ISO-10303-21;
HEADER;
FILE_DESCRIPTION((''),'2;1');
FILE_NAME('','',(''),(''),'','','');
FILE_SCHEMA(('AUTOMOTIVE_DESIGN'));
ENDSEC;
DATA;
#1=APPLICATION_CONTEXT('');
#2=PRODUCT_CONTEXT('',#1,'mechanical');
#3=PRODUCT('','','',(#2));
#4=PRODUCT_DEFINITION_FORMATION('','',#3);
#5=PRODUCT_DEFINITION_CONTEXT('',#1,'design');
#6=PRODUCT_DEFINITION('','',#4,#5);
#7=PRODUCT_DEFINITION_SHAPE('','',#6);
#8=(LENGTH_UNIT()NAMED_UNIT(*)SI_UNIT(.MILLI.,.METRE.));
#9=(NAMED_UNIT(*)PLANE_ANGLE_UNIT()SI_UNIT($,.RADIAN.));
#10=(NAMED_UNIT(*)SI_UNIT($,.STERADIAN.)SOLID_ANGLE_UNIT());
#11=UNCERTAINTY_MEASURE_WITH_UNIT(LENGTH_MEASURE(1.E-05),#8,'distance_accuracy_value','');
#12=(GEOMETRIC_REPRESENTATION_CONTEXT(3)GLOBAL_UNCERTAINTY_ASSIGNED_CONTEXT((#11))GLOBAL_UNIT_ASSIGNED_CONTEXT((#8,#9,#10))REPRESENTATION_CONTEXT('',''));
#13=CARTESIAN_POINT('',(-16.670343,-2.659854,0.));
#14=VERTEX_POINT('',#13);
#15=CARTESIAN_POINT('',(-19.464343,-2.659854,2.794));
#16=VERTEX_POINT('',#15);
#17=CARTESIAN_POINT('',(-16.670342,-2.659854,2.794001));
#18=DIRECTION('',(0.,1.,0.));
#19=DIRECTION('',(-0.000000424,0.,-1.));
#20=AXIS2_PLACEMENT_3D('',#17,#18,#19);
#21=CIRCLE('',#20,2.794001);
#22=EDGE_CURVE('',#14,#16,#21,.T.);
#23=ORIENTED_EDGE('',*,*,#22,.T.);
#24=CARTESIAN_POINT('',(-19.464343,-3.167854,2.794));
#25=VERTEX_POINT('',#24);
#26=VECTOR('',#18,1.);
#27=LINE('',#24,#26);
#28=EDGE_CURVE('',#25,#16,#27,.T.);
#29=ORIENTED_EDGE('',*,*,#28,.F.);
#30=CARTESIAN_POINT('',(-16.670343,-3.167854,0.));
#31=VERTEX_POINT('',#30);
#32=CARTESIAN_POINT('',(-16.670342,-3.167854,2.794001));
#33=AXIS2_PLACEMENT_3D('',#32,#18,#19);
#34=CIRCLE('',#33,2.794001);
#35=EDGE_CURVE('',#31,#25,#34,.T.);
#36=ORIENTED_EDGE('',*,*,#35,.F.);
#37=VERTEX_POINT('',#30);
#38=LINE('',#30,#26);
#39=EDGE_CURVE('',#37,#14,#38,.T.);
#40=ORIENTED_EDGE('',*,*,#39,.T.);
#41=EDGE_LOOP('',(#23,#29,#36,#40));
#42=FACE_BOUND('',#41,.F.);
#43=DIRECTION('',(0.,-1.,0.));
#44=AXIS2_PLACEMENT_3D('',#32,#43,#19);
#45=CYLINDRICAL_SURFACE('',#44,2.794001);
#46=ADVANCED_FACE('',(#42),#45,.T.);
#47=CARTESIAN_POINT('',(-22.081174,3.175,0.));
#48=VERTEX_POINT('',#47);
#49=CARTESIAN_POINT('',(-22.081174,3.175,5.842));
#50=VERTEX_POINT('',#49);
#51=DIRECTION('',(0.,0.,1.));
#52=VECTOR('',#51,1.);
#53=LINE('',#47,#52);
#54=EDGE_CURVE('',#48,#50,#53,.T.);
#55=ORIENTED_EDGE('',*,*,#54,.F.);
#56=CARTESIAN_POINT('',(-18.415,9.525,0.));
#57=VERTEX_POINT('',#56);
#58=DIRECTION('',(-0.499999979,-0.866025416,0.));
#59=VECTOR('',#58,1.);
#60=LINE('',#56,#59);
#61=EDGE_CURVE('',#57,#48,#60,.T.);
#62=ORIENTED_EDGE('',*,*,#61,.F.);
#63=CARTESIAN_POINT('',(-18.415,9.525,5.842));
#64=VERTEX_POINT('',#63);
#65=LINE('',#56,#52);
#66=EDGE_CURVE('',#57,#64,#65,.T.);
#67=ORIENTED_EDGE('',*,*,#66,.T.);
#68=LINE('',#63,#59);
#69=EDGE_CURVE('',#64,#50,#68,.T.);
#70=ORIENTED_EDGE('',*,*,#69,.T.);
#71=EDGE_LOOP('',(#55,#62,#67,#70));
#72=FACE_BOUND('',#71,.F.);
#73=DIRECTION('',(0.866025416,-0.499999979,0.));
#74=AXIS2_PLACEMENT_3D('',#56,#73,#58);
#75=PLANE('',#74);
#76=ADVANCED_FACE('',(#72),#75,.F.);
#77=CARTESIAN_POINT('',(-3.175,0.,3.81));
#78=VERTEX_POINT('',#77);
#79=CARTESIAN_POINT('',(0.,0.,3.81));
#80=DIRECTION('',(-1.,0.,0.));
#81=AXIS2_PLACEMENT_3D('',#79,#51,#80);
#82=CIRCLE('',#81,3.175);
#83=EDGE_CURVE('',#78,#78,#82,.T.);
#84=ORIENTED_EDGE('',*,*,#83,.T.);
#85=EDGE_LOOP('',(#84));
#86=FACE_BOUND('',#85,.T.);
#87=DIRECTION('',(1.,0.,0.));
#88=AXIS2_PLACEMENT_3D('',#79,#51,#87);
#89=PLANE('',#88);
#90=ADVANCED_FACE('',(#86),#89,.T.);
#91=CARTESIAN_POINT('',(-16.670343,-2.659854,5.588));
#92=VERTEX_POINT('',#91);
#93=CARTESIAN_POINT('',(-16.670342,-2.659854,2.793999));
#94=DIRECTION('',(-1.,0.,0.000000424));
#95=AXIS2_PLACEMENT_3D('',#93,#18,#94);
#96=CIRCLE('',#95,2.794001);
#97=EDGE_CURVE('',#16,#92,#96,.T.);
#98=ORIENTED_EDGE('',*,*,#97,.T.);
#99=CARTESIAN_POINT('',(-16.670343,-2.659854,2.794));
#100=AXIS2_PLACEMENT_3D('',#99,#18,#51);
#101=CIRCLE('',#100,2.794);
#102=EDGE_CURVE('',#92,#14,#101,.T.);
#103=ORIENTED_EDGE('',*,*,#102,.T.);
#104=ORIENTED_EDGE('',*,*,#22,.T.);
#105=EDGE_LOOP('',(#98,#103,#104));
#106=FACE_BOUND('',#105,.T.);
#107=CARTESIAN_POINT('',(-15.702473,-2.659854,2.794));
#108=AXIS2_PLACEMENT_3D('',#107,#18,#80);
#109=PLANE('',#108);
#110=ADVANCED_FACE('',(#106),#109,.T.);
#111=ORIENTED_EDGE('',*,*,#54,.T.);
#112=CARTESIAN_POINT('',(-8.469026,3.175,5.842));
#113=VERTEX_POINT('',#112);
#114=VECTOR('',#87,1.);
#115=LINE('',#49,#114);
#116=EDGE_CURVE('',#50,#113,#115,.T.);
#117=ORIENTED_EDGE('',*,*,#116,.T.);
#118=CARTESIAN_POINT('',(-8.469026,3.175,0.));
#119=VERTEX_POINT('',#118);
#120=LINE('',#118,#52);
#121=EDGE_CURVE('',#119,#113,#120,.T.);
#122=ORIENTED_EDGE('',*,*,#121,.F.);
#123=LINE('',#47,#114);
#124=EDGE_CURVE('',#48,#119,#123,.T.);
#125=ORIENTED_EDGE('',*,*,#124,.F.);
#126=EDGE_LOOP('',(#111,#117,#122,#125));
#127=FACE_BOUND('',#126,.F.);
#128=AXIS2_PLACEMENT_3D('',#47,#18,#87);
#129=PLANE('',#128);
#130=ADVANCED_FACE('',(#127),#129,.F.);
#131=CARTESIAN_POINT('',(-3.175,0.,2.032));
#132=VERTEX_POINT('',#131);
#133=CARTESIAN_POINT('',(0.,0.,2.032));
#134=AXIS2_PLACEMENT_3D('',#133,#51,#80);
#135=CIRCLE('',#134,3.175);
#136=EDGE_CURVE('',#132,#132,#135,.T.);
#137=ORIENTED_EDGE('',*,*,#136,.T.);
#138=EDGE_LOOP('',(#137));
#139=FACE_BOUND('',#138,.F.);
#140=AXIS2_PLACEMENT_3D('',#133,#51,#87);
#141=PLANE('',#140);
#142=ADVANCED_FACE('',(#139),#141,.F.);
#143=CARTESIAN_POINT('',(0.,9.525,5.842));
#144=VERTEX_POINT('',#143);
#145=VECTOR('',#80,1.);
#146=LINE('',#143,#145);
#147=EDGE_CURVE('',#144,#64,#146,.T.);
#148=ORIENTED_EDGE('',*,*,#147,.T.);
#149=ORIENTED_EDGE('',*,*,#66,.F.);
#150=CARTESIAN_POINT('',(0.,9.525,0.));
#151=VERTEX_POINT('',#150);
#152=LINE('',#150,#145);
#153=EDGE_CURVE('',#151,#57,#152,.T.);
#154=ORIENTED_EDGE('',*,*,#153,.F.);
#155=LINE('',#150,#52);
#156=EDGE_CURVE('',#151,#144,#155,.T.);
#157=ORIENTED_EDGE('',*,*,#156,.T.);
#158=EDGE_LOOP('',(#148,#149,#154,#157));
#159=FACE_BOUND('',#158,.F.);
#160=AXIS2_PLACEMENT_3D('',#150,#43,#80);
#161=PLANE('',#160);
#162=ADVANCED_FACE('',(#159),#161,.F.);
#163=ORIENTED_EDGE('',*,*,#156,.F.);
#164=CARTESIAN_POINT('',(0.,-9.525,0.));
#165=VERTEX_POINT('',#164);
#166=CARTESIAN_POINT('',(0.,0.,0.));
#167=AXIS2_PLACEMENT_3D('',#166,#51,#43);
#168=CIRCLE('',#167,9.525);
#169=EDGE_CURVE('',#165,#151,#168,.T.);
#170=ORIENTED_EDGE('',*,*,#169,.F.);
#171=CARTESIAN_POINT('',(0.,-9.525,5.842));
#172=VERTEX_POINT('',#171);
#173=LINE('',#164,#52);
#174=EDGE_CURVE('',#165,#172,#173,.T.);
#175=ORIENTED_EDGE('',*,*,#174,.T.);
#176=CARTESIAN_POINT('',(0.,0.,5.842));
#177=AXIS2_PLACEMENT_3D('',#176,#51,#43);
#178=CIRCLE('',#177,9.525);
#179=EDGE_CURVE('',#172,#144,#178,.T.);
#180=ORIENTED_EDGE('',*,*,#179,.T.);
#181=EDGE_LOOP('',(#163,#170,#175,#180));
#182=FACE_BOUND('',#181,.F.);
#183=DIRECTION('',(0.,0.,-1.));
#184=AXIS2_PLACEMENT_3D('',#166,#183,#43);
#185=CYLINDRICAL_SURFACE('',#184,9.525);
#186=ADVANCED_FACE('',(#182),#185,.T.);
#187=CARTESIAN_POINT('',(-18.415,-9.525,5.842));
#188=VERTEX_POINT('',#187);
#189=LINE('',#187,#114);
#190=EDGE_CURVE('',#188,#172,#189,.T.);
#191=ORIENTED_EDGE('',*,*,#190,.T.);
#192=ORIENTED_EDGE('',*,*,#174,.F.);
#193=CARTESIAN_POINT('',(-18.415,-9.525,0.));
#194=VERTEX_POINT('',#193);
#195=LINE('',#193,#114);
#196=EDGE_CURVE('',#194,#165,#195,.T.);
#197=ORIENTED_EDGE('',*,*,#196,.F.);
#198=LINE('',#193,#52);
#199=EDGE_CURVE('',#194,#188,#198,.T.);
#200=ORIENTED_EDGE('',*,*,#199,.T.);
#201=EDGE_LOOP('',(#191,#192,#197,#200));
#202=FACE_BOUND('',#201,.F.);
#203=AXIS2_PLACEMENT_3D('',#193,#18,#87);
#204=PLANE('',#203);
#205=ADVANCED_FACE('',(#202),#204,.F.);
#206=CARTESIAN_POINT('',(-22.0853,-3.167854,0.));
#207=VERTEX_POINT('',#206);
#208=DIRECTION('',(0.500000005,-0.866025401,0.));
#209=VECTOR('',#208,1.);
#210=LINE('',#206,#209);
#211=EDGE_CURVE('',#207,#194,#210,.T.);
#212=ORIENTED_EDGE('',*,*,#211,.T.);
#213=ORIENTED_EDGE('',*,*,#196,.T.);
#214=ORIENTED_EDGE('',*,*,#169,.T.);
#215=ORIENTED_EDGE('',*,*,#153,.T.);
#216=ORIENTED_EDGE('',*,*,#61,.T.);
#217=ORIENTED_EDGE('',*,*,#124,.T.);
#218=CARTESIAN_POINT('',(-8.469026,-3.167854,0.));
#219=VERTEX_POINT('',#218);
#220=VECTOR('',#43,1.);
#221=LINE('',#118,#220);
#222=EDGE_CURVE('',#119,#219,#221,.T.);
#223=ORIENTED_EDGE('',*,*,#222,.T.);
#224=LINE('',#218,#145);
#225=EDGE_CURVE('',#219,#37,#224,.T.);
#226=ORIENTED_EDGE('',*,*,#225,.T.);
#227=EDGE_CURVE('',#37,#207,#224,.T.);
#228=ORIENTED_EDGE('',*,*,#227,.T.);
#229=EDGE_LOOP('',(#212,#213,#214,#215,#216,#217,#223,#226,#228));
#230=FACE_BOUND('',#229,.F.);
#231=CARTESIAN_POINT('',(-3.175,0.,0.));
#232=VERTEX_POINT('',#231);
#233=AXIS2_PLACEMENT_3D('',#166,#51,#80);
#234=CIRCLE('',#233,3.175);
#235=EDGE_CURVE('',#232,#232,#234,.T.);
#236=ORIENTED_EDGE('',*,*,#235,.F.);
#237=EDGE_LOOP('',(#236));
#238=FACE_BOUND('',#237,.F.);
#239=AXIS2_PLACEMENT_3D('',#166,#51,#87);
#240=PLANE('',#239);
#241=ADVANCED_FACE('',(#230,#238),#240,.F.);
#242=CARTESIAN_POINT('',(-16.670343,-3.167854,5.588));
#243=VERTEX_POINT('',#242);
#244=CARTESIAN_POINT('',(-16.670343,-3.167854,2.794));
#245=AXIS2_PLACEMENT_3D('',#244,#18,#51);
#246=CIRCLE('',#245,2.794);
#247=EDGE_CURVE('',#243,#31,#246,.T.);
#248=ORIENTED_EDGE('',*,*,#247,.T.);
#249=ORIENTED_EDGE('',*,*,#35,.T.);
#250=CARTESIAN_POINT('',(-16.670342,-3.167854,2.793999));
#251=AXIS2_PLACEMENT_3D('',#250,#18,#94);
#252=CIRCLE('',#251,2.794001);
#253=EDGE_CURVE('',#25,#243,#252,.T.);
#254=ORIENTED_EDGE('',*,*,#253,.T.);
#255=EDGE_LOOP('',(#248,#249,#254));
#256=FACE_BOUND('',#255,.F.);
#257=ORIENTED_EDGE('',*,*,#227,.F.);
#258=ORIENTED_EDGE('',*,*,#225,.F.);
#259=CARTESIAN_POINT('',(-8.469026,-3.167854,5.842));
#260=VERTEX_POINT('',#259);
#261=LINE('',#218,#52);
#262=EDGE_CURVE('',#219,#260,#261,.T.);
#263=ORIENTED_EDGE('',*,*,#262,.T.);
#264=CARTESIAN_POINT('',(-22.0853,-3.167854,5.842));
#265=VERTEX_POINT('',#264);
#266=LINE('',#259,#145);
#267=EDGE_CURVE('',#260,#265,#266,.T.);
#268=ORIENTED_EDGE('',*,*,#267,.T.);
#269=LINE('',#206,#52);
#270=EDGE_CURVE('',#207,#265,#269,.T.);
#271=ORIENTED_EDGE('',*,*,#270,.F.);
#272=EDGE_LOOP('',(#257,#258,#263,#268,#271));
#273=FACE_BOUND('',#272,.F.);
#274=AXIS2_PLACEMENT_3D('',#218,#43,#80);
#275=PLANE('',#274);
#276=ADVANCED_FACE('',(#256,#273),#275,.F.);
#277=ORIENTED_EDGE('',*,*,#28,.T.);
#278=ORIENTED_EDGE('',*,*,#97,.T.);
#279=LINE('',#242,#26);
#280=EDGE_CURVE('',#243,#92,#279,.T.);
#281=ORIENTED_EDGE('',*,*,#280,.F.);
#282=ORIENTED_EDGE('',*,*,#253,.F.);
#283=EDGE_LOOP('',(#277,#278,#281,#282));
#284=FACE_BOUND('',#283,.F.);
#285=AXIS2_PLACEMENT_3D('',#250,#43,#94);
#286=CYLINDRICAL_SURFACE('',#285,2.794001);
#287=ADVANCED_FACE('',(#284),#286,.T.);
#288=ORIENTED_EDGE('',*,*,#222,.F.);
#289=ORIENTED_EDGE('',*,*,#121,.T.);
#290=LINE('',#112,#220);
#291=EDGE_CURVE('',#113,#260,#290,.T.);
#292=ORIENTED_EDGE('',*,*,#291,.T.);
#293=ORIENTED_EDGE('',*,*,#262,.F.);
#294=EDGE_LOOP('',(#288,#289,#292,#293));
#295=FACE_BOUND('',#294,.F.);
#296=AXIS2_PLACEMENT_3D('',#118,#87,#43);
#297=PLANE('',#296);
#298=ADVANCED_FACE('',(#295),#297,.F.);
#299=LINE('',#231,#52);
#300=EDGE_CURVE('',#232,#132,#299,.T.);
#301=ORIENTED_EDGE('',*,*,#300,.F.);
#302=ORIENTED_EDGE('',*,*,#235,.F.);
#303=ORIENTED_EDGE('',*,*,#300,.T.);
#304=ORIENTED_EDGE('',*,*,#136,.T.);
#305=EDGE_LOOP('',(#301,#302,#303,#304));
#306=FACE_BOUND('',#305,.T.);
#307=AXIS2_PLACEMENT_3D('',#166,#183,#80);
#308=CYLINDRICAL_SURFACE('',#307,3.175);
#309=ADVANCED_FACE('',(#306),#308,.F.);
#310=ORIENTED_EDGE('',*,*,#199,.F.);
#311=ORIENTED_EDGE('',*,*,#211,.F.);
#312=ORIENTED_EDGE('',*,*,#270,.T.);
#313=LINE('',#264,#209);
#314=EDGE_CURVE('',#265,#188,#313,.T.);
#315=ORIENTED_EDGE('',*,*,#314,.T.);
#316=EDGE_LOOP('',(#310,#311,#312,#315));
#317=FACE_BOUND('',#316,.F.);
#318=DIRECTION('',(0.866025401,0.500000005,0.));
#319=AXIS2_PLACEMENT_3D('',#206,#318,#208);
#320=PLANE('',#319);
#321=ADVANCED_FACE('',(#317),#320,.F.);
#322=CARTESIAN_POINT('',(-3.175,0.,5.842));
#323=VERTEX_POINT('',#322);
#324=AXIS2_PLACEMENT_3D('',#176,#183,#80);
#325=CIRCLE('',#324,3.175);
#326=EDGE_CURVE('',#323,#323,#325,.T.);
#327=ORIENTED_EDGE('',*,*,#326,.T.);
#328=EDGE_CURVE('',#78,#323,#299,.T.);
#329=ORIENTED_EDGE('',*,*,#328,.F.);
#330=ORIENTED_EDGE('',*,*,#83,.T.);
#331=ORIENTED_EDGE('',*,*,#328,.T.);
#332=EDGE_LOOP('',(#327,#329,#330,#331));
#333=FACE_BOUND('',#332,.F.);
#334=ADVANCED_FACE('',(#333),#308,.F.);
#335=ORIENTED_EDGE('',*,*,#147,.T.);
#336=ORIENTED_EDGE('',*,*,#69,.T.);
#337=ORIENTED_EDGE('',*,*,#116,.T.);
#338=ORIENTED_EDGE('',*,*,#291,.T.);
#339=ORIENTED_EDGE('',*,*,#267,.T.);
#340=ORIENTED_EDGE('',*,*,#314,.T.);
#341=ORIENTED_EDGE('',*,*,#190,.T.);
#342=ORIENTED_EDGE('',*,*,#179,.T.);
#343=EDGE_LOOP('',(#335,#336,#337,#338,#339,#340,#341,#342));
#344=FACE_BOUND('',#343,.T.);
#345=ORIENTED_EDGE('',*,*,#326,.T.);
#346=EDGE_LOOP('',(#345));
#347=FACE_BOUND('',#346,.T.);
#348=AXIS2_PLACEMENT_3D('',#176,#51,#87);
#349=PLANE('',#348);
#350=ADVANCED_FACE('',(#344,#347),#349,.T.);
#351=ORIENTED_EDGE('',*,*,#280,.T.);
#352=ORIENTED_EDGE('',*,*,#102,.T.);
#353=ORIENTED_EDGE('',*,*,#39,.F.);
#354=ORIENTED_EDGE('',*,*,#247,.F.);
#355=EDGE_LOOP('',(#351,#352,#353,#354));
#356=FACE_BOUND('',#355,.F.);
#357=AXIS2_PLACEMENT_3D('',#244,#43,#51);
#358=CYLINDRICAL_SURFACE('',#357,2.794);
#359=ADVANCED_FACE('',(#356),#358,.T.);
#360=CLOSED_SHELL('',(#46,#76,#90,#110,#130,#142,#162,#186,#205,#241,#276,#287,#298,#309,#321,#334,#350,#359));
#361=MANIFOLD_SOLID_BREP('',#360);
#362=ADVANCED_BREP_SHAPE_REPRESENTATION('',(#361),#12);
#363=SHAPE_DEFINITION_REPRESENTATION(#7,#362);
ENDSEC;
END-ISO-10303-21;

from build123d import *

# Parameters (mm, degrees)
F1_DEPTH = 5.842
F2_DEPTH = 3.81
F3_DEPTH = 2.032
F5_DEPTH = 0.508


with BuildPart() as f1:
    # F0 (on Top) → F1 (new body)
    with BuildSketch(Plane.XY):
        with BuildLine():
            ThreePointArc((3.175, 0), (0, 3.175), (-3.175, 0))
            ThreePointArc((-3.175, 0), (0, -3.175), (3.175, 0))
        make_face()
        with BuildLine():
            Line((-8.469026, -3.167854), (-8.982779, -3.167854))
            ThreePointArc((-8.982779, -3.167854), (-5.502355, -7.774942), (0, -9.525))
            ThreePointArc((0, -9.525), (9.525, 0), (0, 9.525))
            ThreePointArc((0, 9.525), (-5.499261, 7.77713), (-8.980256, 3.175))
            Line((-8.980256, 3.175), (-8.469026, 3.175))
            Line((-8.469026, 3.175), (-8.469026, 0))
            Line((-8.469026, 0), (-8.469026, -3.167854))
        make_face()
        with BuildLine():
            ThreePointArc((3.175, 0), (0, -3.175), (-3.175, 0))
            ThreePointArc((-3.175, 0), (0, 3.175), (3.175, 0))
        make_face(mode=Mode.SUBTRACT)
        with BuildLine():
            ThreePointArc((0, -9.525), (-5.502355, -7.774942), (-8.982779, -3.167854))
            Line((-8.982779, -3.167854), (-22.0853, -3.167854))
            Line((-22.0853, -3.167854), (-18.415, -9.525))
            Line((-18.415, -9.525), (-12.065, -9.525))
            Line((-12.065, -9.525), (-9.525, -9.525))
            Line((-9.525, -9.525), (0, -9.525))
        make_face()
        with BuildLine():
            ThreePointArc((-8.980256, 3.175), (-5.499261, 7.77713), (0, 9.525))
            Line((0, 9.525), (-9.525, 9.525))
            Line((-9.525, 9.525), (-12.065, 9.525))
            Line((-12.065, 9.525), (-18.415, 9.525))
            Line((-18.415, 9.525), (-22.081174, 3.175))
            Line((-22.081174, 3.175), (-8.980256, 3.175))
        make_face()
    extrude(amount=F1_DEPTH)

    # F0 (on Top) → F2 (join)
    with BuildSketch(Plane.XY):
        with BuildLine():
            ThreePointArc((3.175, 0), (0, 3.175), (-3.175, 0))
            ThreePointArc((-3.175, 0), (0, -3.175), (3.175, 0))
        make_face()
    extrude(amount=F2_DEPTH)

    # F0 (on Top) → F3 (cut)
    with BuildSketch(Plane.XY):
        with BuildLine():
            ThreePointArc((3.175, 0), (0, 3.175), (-3.175, 0))
            ThreePointArc((-3.175, 0), (0, -3.175), (3.175, 0))
        make_face()
    extrude(amount=F3_DEPTH, mode=Mode.SUBTRACT)

    # F4 (on face) → F5 (join)
    with BuildSketch(Plane(origin=(0, -3.167854, 0), x_dir=(-1, 0, 0), z_dir=(0, 1, 0))):
        with BuildLine():
            ThreePointArc((16.670343, 5.588), (13.876343, 2.794), (16.670343, 0))
            Line((16.670343, 0), (16.670343, 5.588))
        make_face()
        with BuildLine():
            Line((16.670343, 5.588), (16.670343, 0))
            ThreePointArc((16.670343, 0), (18.645999, 0.818344), (19.464343, 2.794))
            ThreePointArc((19.464343, 2.794), (18.645999, 4.769656), (16.670343, 5.588))
        make_face()
    extrude(amount=F5_DEPTH)


solid = f1.part
